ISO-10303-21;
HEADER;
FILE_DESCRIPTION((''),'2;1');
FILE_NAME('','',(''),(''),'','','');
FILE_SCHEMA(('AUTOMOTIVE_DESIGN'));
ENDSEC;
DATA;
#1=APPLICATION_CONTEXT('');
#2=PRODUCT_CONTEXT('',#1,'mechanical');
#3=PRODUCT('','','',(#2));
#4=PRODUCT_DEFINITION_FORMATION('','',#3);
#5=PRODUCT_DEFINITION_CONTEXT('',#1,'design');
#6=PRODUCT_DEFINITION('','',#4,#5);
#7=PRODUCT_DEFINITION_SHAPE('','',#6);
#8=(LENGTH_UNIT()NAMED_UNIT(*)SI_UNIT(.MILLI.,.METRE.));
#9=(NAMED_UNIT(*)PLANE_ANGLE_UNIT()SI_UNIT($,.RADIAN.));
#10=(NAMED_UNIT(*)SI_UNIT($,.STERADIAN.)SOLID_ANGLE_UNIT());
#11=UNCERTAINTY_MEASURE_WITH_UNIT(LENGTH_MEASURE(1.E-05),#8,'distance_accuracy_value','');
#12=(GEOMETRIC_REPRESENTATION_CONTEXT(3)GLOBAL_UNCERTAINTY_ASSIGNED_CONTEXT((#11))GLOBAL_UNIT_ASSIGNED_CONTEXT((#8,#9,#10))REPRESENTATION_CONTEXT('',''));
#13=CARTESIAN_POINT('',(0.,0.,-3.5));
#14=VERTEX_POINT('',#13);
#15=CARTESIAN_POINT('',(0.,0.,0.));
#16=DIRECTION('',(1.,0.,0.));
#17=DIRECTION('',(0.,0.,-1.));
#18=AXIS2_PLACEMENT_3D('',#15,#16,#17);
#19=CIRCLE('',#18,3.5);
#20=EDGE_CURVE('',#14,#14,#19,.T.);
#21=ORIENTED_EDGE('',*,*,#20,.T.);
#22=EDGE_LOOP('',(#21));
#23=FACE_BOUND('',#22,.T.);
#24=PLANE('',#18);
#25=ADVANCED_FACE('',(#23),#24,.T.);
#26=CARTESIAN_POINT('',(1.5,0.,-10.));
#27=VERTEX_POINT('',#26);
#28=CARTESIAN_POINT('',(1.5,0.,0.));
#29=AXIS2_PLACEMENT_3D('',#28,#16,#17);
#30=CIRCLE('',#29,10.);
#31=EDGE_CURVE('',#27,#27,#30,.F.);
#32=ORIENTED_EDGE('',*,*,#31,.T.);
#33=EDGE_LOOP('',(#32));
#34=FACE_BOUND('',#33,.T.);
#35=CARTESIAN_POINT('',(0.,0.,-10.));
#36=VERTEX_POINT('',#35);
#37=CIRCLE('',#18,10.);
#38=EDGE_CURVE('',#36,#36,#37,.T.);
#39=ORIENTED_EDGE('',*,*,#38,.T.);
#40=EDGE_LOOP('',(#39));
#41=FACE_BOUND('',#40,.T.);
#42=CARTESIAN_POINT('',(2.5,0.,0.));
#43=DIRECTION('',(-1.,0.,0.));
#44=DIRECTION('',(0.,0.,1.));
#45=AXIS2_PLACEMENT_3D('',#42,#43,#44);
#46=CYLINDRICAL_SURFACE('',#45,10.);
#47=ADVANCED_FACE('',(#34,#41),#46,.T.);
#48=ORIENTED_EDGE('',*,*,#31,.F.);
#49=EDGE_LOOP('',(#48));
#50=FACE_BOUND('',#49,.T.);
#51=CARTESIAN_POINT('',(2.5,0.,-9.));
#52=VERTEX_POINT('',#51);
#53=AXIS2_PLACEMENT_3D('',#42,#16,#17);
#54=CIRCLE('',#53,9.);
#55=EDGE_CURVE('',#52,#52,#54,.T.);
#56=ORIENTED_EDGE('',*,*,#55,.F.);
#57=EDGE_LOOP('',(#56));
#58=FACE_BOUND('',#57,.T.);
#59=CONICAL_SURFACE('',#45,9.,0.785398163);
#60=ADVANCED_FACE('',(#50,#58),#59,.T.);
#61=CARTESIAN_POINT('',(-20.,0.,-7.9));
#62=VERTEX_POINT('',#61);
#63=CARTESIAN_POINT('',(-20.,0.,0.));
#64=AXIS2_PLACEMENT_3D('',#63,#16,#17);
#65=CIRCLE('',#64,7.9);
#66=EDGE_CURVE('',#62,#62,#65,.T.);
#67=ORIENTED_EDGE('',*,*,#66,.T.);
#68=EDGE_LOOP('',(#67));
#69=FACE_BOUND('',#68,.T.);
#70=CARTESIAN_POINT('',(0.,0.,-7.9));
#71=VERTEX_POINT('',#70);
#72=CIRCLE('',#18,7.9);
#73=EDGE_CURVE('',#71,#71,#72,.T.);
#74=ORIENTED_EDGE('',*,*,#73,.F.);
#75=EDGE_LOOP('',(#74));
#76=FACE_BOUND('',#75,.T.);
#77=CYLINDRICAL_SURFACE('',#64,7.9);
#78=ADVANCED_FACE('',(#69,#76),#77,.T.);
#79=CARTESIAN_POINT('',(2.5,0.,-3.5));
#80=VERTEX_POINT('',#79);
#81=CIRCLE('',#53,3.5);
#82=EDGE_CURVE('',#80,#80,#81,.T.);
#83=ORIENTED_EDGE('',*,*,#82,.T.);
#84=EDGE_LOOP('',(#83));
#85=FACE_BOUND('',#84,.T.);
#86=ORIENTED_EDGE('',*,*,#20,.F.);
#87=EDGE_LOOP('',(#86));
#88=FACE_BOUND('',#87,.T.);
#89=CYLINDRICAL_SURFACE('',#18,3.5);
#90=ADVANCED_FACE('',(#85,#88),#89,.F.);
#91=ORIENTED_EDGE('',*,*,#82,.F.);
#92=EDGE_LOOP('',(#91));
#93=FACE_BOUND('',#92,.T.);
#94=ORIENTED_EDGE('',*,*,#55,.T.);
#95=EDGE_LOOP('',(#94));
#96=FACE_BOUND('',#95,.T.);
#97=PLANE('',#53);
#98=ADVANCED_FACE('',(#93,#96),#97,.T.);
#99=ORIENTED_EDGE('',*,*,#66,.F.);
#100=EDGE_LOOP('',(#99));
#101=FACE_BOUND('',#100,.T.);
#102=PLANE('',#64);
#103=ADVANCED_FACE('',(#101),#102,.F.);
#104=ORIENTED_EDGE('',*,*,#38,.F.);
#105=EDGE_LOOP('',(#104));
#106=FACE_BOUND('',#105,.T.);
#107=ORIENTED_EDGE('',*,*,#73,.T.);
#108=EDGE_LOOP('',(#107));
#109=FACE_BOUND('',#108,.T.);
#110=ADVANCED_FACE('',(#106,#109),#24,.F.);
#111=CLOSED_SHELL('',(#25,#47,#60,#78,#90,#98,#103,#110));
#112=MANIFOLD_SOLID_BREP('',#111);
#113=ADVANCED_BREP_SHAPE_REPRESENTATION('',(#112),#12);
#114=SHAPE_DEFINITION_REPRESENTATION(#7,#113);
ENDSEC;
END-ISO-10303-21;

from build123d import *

# Parameters (mm, degrees)
SKETCH_1_R          = 7.9
EXTRUDE_1_DEPTH     = 20
SKETCH_6_R          = 10
EXTRUDE_2_DEPTH     = 2.5
SKETCH_7_R          = 3.5
CUT_EXTRUDE_3_DEPTH = 2.5
CHAMFER_1_SIZE      = 1


with BuildPart() as part:
    # 草图1 → 凸台-拉伸1 (new body)
    with BuildSketch(Plane(origin=(0, 0, 0), x_dir=(0, 0, -1), z_dir=(1, 0, 0))):
        Circle(SKETCH_1_R)
    extrude(amount=-EXTRUDE_1_DEPTH)

    # 草图6 → 凸台-拉伸2 (add)
    with BuildSketch(Plane(origin=(0, 0, 0), x_dir=(0, 0, -1), z_dir=(1, 0, 0))):
        Circle(SKETCH_6_R)
    extrude(amount=EXTRUDE_2_DEPTH)

    # 草图7 → 切除-拉伸3 (cut)
    with BuildSketch(Plane(origin=(2.5, 0, 0), x_dir=(0, 0, -1), z_dir=(1, 0, 0))):
        Circle(SKETCH_7_R)
    extrude(amount=-CUT_EXTRUDE_3_DEPTH, mode=Mode.SUBTRACT)

    # 倒角1
    chamfer_1_edges = [part.edges().sort_by_distance(p)[0] for p in [
        (2.5, 0, 10),
    ]]
    chamfer(chamfer_1_edges, length=CHAMFER_1_SIZE)


solid = part.part
